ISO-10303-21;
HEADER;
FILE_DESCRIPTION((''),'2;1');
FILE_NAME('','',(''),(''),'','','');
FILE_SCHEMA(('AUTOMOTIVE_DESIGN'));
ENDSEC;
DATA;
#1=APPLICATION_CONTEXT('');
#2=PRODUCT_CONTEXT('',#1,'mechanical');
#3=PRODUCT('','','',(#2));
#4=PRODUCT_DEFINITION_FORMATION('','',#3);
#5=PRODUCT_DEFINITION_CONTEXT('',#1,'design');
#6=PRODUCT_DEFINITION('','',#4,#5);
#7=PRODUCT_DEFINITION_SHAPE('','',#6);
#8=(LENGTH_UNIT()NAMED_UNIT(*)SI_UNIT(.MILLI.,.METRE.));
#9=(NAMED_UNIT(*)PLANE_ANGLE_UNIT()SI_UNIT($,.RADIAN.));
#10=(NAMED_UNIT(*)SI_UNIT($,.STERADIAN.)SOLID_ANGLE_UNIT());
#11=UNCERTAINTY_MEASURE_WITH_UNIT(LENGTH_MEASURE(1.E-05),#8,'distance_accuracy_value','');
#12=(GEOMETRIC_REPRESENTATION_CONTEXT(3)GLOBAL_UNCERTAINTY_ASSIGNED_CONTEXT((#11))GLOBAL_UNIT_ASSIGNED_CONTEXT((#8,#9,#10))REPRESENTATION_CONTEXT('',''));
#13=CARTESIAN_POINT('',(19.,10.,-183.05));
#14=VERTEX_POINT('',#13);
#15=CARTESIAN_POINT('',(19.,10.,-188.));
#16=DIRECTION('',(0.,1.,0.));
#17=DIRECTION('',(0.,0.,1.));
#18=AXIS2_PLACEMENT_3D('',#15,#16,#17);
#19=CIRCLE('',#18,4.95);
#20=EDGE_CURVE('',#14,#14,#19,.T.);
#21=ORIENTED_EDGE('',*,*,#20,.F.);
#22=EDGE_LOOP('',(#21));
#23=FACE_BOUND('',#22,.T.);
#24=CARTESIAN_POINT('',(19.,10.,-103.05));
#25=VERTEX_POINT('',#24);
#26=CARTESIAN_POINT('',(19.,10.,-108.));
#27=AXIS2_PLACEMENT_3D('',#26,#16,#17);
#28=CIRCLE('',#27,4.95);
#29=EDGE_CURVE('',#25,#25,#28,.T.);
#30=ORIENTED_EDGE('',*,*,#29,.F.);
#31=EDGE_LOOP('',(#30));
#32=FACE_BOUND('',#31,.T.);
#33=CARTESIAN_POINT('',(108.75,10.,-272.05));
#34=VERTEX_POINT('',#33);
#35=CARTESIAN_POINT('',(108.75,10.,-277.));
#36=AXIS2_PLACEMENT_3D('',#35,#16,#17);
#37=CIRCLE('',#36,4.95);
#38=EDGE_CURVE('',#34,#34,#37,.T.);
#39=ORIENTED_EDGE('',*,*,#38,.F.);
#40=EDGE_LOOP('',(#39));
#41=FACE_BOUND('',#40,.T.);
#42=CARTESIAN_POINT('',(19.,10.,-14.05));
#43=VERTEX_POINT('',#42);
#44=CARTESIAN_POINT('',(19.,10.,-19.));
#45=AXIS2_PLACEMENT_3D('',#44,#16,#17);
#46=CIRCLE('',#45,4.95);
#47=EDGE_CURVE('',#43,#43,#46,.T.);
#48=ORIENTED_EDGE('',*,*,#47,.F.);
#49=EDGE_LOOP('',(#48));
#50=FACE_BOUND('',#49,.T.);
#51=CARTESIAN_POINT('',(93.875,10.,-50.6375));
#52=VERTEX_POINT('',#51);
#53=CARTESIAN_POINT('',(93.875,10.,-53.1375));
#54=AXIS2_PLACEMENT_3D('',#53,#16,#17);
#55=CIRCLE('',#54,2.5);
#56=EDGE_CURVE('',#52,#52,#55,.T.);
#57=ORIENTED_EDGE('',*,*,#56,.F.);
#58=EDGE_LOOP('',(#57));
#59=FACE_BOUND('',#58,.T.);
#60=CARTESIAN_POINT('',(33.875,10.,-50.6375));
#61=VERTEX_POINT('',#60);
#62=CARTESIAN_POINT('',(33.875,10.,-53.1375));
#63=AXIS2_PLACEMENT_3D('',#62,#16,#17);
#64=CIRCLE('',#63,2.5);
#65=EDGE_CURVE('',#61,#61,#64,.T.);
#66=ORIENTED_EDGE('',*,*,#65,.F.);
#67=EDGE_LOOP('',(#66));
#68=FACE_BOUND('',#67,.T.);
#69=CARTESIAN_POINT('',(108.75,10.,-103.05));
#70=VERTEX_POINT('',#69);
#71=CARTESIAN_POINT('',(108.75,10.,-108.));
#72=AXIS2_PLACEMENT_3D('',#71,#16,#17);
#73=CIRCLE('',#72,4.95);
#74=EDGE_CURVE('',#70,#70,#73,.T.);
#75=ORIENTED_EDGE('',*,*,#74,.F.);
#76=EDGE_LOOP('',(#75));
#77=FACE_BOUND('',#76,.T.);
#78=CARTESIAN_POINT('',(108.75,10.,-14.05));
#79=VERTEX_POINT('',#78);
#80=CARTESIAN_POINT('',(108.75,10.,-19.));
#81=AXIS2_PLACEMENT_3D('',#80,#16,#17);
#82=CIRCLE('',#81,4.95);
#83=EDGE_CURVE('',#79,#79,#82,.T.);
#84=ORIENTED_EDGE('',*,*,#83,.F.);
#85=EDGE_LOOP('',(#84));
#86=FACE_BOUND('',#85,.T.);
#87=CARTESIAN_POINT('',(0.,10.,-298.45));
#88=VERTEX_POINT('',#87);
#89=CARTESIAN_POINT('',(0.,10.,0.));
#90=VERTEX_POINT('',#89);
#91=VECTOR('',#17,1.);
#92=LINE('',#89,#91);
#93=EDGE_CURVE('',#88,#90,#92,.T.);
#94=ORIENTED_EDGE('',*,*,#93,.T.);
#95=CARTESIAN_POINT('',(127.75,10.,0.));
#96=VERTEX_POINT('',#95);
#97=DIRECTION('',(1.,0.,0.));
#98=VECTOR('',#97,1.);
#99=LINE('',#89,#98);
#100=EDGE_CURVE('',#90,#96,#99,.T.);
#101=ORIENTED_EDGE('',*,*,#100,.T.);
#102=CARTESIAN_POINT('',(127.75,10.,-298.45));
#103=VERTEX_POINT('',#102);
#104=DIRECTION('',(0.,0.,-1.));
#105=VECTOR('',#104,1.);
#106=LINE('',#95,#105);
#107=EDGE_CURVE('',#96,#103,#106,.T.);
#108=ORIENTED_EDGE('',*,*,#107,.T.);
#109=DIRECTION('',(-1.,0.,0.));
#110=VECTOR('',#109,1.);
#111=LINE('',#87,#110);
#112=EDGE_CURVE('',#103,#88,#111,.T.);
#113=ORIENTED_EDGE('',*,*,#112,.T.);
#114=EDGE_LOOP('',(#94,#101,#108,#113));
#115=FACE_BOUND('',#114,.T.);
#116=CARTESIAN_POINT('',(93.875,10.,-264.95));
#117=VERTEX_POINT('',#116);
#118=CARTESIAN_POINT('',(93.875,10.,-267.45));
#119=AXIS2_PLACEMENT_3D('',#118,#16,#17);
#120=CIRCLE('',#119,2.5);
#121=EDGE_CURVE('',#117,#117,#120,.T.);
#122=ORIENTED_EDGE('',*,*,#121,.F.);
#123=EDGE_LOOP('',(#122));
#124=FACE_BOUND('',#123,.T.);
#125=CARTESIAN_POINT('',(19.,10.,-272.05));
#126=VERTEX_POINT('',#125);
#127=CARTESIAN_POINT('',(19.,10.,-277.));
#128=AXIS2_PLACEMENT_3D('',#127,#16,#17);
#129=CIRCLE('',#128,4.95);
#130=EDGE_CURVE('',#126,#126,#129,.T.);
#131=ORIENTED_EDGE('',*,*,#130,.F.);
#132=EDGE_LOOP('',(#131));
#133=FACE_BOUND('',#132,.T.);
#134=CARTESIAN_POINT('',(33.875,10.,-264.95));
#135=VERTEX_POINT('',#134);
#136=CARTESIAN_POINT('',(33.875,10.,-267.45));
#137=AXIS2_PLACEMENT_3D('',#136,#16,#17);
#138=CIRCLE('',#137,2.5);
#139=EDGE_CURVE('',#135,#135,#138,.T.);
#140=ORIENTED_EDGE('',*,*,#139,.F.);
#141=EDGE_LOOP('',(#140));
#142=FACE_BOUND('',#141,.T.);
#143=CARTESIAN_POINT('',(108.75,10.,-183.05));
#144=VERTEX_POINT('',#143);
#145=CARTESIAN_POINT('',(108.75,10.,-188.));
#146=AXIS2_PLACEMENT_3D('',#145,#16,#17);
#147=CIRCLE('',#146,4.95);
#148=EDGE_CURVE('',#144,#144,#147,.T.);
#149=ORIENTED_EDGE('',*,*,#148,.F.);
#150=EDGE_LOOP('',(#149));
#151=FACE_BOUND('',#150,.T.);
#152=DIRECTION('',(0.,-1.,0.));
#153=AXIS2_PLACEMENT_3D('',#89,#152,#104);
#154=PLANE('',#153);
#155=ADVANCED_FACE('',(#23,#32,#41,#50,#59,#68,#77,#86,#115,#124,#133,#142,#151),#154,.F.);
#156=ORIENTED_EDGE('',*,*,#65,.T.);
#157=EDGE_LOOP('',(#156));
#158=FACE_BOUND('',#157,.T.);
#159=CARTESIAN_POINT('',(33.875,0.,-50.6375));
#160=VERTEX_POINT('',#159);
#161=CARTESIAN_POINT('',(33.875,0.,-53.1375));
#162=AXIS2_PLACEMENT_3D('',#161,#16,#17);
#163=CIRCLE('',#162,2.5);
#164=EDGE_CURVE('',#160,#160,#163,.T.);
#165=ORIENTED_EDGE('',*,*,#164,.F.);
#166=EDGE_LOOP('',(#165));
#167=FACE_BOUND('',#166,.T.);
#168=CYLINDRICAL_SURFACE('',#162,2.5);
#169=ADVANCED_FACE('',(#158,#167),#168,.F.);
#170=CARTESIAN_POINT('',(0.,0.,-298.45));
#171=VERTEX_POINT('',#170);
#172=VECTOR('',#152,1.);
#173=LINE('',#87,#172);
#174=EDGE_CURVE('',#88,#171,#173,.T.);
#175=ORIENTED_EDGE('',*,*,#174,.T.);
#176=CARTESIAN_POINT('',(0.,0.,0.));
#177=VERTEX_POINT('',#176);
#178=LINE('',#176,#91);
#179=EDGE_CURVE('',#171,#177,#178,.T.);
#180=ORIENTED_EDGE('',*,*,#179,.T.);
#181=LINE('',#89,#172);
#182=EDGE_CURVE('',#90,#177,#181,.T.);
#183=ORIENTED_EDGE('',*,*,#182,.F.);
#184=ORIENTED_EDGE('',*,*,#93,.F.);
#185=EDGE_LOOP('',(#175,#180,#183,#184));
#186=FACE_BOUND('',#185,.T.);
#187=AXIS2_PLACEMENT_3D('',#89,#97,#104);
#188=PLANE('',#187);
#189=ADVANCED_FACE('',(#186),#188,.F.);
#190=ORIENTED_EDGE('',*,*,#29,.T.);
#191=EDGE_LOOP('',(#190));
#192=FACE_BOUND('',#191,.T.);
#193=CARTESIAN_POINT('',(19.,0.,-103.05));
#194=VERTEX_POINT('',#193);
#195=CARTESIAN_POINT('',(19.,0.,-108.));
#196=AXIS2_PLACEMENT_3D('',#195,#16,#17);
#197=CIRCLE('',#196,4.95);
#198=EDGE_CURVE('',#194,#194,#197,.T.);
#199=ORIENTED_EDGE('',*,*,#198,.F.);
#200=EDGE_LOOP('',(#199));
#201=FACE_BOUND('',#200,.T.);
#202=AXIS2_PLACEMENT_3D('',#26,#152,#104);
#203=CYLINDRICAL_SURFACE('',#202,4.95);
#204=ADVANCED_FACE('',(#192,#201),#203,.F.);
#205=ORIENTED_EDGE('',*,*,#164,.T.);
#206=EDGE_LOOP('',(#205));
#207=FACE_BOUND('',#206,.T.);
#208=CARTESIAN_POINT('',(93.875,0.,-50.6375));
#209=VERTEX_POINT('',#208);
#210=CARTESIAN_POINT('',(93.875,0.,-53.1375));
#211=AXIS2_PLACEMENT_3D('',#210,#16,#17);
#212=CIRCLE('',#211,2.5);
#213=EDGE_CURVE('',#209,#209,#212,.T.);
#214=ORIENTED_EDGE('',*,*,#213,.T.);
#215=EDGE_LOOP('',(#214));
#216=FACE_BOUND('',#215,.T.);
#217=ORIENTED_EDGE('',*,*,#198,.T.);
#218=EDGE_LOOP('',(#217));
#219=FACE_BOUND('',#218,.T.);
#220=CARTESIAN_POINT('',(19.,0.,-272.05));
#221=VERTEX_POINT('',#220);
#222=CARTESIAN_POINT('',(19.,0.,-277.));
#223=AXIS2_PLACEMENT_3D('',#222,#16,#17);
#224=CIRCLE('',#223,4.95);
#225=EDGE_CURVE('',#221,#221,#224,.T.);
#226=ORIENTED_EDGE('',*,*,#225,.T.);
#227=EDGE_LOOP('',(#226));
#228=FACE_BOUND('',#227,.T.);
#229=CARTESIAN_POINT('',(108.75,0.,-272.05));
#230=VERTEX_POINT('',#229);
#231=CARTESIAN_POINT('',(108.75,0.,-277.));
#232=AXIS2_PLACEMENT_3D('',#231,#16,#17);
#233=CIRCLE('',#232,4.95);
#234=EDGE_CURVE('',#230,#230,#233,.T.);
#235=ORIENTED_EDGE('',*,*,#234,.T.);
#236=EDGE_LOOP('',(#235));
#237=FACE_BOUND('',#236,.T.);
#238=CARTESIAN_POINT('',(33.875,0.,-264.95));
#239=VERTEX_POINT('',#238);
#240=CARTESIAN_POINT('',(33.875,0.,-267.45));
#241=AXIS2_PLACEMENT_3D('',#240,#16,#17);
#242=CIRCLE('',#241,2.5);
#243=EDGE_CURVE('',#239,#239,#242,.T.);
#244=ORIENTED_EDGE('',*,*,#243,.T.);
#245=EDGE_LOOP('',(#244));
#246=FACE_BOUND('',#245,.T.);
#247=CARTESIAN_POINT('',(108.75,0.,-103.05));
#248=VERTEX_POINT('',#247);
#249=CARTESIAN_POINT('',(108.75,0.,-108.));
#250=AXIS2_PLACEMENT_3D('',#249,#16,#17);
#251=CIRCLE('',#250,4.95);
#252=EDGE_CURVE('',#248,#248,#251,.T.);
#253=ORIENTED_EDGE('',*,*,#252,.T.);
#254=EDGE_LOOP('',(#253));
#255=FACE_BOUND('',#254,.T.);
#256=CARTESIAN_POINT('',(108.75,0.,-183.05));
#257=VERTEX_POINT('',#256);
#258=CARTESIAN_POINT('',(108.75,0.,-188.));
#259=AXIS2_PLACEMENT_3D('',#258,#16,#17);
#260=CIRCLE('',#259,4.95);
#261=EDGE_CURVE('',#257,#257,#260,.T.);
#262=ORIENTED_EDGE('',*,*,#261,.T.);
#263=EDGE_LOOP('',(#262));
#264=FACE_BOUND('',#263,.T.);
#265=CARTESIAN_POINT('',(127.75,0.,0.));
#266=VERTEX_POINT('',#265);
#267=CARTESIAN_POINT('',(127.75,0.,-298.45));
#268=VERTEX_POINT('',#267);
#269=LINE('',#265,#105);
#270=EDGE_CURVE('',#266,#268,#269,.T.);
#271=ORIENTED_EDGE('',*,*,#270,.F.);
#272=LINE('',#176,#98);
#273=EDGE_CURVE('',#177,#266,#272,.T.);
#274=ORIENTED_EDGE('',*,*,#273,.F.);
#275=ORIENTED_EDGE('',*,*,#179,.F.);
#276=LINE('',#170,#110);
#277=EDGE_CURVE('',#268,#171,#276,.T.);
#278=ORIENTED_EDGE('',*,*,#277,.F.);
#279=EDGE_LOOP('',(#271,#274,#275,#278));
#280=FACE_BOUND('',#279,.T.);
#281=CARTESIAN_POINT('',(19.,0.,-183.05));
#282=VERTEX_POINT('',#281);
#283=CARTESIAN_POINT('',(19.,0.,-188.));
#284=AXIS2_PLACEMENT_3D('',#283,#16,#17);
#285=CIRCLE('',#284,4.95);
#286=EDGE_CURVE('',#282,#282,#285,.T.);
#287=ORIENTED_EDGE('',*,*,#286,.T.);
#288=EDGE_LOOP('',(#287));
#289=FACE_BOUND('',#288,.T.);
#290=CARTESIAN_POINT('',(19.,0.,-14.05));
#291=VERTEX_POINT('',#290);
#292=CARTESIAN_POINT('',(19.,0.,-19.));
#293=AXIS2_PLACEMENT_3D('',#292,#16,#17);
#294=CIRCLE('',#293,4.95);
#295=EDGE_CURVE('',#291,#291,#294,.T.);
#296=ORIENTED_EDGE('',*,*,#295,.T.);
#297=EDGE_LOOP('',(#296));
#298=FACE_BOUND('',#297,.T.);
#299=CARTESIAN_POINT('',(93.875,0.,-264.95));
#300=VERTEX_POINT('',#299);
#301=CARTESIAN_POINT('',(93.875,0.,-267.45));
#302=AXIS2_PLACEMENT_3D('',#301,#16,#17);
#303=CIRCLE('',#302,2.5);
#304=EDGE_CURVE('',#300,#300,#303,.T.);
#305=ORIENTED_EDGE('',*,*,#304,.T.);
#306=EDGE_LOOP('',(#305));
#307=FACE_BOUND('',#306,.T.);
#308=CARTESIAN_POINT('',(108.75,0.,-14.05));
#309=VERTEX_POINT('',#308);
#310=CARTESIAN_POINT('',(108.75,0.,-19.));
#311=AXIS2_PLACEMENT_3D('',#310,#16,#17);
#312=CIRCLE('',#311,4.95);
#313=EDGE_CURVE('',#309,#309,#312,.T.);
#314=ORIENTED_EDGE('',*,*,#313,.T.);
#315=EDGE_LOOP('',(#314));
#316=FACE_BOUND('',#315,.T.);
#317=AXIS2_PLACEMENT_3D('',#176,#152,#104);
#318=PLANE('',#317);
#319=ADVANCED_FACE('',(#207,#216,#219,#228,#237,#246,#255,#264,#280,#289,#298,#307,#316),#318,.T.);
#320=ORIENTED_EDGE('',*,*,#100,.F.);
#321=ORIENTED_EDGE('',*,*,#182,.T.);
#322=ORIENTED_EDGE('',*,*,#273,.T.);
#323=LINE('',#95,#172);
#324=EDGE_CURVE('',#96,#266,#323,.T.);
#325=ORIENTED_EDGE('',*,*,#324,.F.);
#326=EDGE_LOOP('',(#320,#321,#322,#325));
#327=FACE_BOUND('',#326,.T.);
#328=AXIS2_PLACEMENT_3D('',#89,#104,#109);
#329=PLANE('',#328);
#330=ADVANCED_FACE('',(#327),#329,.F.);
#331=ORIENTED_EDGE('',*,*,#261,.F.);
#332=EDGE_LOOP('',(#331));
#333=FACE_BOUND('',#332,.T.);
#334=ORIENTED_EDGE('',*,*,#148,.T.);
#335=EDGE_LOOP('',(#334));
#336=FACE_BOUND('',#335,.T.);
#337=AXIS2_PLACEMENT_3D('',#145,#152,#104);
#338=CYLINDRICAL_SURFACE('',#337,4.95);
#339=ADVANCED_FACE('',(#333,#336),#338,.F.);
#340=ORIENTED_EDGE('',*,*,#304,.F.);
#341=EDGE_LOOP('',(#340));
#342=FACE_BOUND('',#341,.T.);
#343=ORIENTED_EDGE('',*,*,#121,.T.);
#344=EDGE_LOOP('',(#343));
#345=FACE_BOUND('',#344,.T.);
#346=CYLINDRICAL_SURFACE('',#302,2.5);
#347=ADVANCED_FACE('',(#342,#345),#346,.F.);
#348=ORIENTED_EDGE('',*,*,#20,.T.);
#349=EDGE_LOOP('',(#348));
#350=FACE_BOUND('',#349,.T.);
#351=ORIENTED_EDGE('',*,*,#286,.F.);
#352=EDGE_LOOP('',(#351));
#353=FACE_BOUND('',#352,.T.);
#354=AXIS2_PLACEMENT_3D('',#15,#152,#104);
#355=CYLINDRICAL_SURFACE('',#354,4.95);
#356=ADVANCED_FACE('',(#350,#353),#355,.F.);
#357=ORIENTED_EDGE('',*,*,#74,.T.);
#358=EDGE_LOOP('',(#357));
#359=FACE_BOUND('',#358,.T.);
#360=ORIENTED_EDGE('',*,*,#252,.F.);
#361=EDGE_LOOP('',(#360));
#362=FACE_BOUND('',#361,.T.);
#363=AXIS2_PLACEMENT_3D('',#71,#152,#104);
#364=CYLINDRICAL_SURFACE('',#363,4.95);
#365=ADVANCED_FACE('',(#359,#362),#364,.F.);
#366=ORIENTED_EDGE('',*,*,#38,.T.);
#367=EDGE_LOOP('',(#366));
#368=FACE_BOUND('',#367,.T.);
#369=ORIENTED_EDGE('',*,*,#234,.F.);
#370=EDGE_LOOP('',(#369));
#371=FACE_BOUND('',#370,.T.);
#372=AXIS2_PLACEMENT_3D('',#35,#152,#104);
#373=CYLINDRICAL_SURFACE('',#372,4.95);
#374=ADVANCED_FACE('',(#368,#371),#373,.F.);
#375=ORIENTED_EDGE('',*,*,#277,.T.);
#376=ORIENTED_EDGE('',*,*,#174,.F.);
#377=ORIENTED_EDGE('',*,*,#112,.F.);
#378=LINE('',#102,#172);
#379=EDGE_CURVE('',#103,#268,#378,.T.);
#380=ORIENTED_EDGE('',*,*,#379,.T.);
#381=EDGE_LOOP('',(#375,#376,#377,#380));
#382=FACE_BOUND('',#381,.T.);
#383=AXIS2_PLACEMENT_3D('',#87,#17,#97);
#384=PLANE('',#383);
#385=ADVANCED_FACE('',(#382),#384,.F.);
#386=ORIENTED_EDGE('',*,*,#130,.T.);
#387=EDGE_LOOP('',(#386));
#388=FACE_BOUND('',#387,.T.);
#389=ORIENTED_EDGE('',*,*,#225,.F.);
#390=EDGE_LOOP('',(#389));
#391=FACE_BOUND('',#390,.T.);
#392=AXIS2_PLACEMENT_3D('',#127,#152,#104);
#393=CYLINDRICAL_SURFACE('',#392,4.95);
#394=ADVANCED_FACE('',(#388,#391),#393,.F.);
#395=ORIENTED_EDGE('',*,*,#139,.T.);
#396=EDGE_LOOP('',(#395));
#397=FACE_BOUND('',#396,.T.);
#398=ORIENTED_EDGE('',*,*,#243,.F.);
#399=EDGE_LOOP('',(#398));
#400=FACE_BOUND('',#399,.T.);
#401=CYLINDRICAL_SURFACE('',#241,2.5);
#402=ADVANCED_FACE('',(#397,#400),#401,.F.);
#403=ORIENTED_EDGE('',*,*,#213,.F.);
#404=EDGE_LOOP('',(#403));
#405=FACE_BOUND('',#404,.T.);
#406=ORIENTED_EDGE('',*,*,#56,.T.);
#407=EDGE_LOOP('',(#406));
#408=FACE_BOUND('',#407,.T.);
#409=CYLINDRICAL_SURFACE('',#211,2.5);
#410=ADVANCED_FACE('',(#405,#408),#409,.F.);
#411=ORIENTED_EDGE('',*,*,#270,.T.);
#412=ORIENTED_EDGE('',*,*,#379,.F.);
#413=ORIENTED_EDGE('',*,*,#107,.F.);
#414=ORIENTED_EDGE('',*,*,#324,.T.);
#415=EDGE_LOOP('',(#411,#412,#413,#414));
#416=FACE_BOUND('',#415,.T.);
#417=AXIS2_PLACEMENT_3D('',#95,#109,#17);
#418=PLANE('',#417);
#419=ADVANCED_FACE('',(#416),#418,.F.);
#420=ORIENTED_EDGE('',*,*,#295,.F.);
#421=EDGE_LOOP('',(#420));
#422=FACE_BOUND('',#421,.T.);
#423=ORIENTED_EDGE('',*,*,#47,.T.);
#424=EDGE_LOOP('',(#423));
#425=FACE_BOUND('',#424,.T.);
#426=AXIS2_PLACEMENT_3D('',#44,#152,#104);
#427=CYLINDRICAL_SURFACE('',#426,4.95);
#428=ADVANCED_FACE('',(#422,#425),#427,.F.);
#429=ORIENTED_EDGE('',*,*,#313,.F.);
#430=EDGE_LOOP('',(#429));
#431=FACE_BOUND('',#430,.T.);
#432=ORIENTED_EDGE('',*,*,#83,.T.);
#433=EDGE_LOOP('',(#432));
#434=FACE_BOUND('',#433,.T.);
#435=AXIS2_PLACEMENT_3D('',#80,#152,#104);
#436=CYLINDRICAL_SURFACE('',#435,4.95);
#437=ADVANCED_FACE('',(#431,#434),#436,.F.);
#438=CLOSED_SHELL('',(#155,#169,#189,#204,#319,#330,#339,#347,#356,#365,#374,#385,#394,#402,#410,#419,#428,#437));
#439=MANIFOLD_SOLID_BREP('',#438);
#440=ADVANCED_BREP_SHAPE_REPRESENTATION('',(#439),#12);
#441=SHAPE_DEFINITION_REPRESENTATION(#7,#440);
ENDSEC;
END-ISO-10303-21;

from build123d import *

# Parameters (mm, degrees)
SKETCH1_W           = 127.75
SKETCH1_H           = 298.45
SKETCH1_R           = 4.95
BOSS_EXTRUDE1_DEPTH = 10
SKETCH4_R           = 2.5
CUT_EXTRUDE2_DEPTH  = 11


with BuildPart() as part:
    # Sketch1 → Boss-Extrude1 (new body)
    with BuildSketch(Plane(origin=(0, 0, 0), x_dir=(1, 0, 0), z_dir=(0, 1, 0))):
        with Locations((63.875, 149.225)):
            Rectangle(SKETCH1_W, SKETCH1_H)
        with Locations((19, 277)):
            Circle(SKETCH1_R, mode=Mode.SUBTRACT)
        with Locations((108.75, 277)):
            Circle(SKETCH1_R, mode=Mode.SUBTRACT)
        with Locations((108.75, 19)):
            Circle(SKETCH1_R, mode=Mode.SUBTRACT)
        with Locations((19, 19)):
            Circle(SKETCH1_R, mode=Mode.SUBTRACT)
        with Locations((19, 108)):
            Circle(SKETCH1_R, mode=Mode.SUBTRACT)
        with Locations((108.75, 108)):
            Circle(SKETCH1_R, mode=Mode.SUBTRACT)
        with Locations((19, 188)):
            Circle(SKETCH1_R, mode=Mode.SUBTRACT)
        with Locations((108.75, 188)):
            Circle(SKETCH1_R, mode=Mode.SUBTRACT)
    extrude(amount=BOSS_EXTRUDE1_DEPTH)

    # Sketch4 → Cut-Extrude2 (cut, through all)
    with BuildSketch(Plane(origin=(0, 10, 0), x_dir=(1, 0, 0), z_dir=(0, 1, 0))):
        with Locations((93.875, 267.45)):
            Circle(SKETCH4_R)
        with Locations((33.875, 267.45)):
            Circle(SKETCH4_R)
        with Locations((93.875, 53.1375)):
            Circle(SKETCH4_R)
        with Locations((33.875, 53.1375)):
            Circle(SKETCH4_R)
    extrude(amount=-CUT_EXTRUDE2_DEPTH, mode=Mode.SUBTRACT)


solid = part.part
